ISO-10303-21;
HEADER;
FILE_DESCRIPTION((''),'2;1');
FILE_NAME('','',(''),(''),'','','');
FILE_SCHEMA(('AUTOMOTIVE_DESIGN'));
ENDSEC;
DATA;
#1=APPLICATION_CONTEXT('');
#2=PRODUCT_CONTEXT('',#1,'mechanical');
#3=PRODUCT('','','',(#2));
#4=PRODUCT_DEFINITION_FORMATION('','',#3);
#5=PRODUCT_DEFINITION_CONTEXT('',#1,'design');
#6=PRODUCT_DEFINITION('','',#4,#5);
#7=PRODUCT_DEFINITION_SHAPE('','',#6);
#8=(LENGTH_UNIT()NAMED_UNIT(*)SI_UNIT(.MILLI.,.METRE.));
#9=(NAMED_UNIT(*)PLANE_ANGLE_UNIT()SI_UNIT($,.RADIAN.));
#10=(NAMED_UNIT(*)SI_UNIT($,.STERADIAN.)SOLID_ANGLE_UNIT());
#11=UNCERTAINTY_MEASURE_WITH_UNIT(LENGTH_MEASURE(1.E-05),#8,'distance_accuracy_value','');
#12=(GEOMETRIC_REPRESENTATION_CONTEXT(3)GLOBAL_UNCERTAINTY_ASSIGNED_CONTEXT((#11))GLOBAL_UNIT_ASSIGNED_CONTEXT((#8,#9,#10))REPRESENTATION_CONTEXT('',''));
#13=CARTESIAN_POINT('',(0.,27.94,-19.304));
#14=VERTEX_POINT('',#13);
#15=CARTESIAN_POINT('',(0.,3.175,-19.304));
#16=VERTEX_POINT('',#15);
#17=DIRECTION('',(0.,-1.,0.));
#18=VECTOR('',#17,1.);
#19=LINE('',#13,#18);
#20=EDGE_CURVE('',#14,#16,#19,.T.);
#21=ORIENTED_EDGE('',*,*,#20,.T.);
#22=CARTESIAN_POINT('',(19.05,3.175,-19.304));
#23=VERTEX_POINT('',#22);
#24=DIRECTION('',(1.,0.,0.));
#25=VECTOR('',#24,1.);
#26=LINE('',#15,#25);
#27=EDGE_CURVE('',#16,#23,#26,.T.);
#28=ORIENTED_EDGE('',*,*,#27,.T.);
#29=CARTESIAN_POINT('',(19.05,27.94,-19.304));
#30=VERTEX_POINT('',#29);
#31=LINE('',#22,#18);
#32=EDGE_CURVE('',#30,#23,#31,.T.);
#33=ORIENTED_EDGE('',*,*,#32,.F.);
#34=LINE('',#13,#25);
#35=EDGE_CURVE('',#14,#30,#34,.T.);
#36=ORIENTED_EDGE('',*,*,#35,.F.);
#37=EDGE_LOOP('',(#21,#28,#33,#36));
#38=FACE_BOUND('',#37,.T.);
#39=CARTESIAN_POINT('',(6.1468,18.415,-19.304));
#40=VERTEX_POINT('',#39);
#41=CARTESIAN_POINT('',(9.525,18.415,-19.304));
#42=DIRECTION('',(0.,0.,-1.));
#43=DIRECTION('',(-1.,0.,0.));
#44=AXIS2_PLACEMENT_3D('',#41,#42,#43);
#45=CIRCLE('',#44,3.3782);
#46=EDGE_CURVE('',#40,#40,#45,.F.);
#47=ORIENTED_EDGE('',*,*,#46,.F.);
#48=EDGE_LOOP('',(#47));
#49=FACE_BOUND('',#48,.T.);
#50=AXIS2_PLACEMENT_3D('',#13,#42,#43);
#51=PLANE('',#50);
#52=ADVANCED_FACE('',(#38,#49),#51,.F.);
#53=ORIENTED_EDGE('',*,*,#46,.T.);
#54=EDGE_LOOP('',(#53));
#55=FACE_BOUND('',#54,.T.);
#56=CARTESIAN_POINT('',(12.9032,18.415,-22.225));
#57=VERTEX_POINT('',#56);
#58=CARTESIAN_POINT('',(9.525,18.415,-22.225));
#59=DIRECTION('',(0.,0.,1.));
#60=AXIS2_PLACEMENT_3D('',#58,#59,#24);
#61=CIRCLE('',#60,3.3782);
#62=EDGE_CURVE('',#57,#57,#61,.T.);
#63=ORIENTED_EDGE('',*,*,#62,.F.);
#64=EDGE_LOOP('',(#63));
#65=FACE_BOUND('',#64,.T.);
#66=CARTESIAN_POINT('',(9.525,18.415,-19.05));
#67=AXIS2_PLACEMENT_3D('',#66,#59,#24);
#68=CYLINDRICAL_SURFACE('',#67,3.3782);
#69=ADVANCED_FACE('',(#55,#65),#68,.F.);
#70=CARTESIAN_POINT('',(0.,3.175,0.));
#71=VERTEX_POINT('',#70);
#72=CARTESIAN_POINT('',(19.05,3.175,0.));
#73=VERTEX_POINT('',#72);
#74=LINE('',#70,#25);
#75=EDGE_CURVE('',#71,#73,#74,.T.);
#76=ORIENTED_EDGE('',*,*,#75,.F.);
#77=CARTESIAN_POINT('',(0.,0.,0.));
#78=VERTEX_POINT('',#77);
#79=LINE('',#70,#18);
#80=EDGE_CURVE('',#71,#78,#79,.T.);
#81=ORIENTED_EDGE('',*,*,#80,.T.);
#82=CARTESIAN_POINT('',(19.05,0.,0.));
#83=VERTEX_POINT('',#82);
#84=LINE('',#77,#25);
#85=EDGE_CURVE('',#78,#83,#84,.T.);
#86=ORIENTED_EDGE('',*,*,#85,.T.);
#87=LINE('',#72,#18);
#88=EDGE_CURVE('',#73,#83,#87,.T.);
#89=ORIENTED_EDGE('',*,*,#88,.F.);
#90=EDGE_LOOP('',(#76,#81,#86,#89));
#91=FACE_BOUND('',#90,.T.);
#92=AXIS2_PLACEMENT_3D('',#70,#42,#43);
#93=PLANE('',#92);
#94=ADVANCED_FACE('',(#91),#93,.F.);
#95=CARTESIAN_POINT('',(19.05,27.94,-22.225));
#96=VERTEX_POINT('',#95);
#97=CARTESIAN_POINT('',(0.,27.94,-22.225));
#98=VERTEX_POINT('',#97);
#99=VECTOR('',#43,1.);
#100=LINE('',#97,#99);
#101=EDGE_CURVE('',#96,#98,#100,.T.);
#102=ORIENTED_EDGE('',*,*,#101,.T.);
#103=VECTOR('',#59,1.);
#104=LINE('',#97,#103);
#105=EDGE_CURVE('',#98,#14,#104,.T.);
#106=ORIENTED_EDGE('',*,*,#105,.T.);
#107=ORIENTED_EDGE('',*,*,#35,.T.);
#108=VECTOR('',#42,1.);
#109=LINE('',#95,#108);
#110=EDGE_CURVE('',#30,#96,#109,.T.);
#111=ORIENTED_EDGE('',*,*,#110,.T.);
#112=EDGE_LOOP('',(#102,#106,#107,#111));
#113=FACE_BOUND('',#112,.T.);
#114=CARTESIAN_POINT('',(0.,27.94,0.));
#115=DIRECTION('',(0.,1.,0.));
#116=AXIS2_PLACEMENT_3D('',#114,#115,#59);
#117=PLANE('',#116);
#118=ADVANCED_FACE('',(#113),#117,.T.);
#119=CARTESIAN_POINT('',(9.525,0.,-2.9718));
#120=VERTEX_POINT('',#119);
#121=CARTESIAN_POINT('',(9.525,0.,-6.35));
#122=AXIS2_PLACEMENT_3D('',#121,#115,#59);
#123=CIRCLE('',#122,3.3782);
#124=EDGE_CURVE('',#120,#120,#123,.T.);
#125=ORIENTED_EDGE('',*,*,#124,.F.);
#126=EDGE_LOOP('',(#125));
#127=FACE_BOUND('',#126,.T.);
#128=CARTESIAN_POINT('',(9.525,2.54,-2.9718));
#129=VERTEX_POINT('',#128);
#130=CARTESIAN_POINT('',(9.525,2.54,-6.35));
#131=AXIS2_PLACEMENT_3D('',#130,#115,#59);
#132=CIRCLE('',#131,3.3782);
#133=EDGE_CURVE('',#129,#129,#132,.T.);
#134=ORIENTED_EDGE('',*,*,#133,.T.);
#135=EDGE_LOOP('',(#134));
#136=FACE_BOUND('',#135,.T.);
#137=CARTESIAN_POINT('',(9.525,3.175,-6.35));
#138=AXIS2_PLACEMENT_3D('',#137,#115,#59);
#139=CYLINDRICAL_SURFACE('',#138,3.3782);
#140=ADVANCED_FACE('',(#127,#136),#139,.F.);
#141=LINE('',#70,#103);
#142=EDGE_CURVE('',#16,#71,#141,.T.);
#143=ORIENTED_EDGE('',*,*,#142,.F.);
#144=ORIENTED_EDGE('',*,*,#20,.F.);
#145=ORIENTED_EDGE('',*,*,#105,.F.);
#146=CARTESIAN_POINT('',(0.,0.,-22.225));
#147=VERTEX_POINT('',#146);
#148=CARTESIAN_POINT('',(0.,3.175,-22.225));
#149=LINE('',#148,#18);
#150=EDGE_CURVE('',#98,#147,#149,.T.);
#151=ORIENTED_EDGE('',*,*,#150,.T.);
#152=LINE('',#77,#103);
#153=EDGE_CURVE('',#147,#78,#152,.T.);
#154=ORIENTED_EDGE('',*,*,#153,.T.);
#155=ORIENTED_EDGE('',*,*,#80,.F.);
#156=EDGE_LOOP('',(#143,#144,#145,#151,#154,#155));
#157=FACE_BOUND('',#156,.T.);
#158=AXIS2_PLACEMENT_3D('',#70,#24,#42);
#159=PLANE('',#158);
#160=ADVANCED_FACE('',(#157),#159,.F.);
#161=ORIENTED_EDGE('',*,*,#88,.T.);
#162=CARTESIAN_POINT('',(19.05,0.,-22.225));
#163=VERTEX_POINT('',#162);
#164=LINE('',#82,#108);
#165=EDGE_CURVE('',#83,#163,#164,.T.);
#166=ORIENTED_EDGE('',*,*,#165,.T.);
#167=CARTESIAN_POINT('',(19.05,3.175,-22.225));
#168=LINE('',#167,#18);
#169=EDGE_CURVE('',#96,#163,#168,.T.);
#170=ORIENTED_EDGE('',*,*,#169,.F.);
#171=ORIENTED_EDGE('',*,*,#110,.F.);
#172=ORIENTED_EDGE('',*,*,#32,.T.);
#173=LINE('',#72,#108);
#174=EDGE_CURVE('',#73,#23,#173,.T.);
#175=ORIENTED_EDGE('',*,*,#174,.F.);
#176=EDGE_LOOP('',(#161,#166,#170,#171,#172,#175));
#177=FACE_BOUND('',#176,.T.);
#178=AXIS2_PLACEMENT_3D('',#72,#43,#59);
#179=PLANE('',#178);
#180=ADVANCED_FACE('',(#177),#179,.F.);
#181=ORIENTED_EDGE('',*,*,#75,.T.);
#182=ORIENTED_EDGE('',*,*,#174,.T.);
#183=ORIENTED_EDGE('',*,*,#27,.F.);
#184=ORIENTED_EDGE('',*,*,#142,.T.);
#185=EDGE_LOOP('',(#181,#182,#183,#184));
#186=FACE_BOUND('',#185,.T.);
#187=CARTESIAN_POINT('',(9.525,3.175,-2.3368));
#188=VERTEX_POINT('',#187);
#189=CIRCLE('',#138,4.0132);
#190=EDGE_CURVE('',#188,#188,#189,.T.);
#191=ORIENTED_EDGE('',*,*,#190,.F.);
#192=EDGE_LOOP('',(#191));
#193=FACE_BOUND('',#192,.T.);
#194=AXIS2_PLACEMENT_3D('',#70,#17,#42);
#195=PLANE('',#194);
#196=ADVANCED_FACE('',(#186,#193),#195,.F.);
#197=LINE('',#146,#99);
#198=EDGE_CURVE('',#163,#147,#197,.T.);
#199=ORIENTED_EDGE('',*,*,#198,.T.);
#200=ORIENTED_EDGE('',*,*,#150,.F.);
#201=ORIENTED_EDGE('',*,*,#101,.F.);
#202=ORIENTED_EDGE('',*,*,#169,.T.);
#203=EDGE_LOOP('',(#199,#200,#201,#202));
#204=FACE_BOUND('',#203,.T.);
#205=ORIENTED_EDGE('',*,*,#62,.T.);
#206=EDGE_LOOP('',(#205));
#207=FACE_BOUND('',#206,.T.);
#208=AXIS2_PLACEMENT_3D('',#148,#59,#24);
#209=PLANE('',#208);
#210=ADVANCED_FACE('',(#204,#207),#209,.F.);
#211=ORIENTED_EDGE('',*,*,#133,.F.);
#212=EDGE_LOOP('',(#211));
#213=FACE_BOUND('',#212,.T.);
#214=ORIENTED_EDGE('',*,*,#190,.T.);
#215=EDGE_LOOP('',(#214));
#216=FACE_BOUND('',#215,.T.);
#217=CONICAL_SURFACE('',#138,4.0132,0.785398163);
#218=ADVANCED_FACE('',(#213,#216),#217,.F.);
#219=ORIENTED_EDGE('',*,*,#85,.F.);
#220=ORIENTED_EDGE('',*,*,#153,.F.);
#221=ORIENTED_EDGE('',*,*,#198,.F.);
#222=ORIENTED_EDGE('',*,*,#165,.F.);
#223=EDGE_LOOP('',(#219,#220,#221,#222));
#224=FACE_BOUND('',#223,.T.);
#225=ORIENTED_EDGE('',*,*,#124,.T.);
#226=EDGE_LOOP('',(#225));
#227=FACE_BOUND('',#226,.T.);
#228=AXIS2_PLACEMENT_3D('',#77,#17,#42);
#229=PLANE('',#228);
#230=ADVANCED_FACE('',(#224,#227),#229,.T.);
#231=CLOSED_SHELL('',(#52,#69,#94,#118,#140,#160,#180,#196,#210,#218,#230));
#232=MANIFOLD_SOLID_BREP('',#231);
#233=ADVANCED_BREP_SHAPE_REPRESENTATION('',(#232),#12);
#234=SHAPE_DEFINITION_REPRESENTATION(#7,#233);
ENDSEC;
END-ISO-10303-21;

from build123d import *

# Parameters (mm, degrees)
SKETCH1_W               = 19.05
SKETCH1_H               = 22.225
BOSS_EXTRUDE1_DEPTH     = 3.175
SKETCH2_W               = 19.05
SKETCH2_H               = 3.175
BOSS_EXTRUDE2_DEPTH     = 24.765
F_1_4_CLEARANCE_HOLE3_D = 6.7564
MOVE_FACE1_BY           = 0.254


with BuildPart() as part:
    # Sketch1 → Boss-Extrude1 (new body)
    with BuildSketch(Plane(origin=(0, 0, 0), x_dir=(1, 0, 0), z_dir=(0, 1, 0))):
        with Locations((9.525, 11.1125)):
            Rectangle(SKETCH1_W, SKETCH1_H)
    extrude(amount=BOSS_EXTRUDE1_DEPTH)

    # Sketch2 → Boss-Extrude2 (add)
    with BuildSketch(Plane(origin=(0, 3.175, 0), x_dir=(1, 0, 0), z_dir=(0, 1, 0))):
        with Locations((9.525, 20.6375)):
            Rectangle(SKETCH2_W, SKETCH2_H)
    extrude(amount=BOSS_EXTRUDE2_DEPTH)

    # Sketch7 → 1/4 Clearance Hole2 (revolve, cut)
    with BuildSketch(Plane(origin=(9.525, 3.175, -6.35), x_dir=(0, 0, 1), z_dir=(1, 0, 0))):
        Polygon((0, 0), (0, 3.175), (3.3782, 3.175), (3.3782, 0.635), (4.0132, 0), align=None)
    revolve(axis=Axis((9.525, 9.525, -6.35), (0, -1, 0)), mode=Mode.SUBTRACT)

    # 1/4 Clearance Hole3 (through all)
    with Locations(Plane(origin=(9.525, 18.415, -19.05), x_dir=(1, 0, 0), z_dir=(0, 0, 1))):
        with Locations((0, 0)):
            Hole(F_1_4_CLEARANCE_HOLE3_D / 2)

    # Move Face1: a face moved inward by 0.254
    extrude(part.faces().sort_by_distance((9.525, 9.36625, -19.05))[0], amount=MOVE_FACE1_BY, dir=(0, 0, -1), mode=Mode.SUBTRACT)


solid = part.part
